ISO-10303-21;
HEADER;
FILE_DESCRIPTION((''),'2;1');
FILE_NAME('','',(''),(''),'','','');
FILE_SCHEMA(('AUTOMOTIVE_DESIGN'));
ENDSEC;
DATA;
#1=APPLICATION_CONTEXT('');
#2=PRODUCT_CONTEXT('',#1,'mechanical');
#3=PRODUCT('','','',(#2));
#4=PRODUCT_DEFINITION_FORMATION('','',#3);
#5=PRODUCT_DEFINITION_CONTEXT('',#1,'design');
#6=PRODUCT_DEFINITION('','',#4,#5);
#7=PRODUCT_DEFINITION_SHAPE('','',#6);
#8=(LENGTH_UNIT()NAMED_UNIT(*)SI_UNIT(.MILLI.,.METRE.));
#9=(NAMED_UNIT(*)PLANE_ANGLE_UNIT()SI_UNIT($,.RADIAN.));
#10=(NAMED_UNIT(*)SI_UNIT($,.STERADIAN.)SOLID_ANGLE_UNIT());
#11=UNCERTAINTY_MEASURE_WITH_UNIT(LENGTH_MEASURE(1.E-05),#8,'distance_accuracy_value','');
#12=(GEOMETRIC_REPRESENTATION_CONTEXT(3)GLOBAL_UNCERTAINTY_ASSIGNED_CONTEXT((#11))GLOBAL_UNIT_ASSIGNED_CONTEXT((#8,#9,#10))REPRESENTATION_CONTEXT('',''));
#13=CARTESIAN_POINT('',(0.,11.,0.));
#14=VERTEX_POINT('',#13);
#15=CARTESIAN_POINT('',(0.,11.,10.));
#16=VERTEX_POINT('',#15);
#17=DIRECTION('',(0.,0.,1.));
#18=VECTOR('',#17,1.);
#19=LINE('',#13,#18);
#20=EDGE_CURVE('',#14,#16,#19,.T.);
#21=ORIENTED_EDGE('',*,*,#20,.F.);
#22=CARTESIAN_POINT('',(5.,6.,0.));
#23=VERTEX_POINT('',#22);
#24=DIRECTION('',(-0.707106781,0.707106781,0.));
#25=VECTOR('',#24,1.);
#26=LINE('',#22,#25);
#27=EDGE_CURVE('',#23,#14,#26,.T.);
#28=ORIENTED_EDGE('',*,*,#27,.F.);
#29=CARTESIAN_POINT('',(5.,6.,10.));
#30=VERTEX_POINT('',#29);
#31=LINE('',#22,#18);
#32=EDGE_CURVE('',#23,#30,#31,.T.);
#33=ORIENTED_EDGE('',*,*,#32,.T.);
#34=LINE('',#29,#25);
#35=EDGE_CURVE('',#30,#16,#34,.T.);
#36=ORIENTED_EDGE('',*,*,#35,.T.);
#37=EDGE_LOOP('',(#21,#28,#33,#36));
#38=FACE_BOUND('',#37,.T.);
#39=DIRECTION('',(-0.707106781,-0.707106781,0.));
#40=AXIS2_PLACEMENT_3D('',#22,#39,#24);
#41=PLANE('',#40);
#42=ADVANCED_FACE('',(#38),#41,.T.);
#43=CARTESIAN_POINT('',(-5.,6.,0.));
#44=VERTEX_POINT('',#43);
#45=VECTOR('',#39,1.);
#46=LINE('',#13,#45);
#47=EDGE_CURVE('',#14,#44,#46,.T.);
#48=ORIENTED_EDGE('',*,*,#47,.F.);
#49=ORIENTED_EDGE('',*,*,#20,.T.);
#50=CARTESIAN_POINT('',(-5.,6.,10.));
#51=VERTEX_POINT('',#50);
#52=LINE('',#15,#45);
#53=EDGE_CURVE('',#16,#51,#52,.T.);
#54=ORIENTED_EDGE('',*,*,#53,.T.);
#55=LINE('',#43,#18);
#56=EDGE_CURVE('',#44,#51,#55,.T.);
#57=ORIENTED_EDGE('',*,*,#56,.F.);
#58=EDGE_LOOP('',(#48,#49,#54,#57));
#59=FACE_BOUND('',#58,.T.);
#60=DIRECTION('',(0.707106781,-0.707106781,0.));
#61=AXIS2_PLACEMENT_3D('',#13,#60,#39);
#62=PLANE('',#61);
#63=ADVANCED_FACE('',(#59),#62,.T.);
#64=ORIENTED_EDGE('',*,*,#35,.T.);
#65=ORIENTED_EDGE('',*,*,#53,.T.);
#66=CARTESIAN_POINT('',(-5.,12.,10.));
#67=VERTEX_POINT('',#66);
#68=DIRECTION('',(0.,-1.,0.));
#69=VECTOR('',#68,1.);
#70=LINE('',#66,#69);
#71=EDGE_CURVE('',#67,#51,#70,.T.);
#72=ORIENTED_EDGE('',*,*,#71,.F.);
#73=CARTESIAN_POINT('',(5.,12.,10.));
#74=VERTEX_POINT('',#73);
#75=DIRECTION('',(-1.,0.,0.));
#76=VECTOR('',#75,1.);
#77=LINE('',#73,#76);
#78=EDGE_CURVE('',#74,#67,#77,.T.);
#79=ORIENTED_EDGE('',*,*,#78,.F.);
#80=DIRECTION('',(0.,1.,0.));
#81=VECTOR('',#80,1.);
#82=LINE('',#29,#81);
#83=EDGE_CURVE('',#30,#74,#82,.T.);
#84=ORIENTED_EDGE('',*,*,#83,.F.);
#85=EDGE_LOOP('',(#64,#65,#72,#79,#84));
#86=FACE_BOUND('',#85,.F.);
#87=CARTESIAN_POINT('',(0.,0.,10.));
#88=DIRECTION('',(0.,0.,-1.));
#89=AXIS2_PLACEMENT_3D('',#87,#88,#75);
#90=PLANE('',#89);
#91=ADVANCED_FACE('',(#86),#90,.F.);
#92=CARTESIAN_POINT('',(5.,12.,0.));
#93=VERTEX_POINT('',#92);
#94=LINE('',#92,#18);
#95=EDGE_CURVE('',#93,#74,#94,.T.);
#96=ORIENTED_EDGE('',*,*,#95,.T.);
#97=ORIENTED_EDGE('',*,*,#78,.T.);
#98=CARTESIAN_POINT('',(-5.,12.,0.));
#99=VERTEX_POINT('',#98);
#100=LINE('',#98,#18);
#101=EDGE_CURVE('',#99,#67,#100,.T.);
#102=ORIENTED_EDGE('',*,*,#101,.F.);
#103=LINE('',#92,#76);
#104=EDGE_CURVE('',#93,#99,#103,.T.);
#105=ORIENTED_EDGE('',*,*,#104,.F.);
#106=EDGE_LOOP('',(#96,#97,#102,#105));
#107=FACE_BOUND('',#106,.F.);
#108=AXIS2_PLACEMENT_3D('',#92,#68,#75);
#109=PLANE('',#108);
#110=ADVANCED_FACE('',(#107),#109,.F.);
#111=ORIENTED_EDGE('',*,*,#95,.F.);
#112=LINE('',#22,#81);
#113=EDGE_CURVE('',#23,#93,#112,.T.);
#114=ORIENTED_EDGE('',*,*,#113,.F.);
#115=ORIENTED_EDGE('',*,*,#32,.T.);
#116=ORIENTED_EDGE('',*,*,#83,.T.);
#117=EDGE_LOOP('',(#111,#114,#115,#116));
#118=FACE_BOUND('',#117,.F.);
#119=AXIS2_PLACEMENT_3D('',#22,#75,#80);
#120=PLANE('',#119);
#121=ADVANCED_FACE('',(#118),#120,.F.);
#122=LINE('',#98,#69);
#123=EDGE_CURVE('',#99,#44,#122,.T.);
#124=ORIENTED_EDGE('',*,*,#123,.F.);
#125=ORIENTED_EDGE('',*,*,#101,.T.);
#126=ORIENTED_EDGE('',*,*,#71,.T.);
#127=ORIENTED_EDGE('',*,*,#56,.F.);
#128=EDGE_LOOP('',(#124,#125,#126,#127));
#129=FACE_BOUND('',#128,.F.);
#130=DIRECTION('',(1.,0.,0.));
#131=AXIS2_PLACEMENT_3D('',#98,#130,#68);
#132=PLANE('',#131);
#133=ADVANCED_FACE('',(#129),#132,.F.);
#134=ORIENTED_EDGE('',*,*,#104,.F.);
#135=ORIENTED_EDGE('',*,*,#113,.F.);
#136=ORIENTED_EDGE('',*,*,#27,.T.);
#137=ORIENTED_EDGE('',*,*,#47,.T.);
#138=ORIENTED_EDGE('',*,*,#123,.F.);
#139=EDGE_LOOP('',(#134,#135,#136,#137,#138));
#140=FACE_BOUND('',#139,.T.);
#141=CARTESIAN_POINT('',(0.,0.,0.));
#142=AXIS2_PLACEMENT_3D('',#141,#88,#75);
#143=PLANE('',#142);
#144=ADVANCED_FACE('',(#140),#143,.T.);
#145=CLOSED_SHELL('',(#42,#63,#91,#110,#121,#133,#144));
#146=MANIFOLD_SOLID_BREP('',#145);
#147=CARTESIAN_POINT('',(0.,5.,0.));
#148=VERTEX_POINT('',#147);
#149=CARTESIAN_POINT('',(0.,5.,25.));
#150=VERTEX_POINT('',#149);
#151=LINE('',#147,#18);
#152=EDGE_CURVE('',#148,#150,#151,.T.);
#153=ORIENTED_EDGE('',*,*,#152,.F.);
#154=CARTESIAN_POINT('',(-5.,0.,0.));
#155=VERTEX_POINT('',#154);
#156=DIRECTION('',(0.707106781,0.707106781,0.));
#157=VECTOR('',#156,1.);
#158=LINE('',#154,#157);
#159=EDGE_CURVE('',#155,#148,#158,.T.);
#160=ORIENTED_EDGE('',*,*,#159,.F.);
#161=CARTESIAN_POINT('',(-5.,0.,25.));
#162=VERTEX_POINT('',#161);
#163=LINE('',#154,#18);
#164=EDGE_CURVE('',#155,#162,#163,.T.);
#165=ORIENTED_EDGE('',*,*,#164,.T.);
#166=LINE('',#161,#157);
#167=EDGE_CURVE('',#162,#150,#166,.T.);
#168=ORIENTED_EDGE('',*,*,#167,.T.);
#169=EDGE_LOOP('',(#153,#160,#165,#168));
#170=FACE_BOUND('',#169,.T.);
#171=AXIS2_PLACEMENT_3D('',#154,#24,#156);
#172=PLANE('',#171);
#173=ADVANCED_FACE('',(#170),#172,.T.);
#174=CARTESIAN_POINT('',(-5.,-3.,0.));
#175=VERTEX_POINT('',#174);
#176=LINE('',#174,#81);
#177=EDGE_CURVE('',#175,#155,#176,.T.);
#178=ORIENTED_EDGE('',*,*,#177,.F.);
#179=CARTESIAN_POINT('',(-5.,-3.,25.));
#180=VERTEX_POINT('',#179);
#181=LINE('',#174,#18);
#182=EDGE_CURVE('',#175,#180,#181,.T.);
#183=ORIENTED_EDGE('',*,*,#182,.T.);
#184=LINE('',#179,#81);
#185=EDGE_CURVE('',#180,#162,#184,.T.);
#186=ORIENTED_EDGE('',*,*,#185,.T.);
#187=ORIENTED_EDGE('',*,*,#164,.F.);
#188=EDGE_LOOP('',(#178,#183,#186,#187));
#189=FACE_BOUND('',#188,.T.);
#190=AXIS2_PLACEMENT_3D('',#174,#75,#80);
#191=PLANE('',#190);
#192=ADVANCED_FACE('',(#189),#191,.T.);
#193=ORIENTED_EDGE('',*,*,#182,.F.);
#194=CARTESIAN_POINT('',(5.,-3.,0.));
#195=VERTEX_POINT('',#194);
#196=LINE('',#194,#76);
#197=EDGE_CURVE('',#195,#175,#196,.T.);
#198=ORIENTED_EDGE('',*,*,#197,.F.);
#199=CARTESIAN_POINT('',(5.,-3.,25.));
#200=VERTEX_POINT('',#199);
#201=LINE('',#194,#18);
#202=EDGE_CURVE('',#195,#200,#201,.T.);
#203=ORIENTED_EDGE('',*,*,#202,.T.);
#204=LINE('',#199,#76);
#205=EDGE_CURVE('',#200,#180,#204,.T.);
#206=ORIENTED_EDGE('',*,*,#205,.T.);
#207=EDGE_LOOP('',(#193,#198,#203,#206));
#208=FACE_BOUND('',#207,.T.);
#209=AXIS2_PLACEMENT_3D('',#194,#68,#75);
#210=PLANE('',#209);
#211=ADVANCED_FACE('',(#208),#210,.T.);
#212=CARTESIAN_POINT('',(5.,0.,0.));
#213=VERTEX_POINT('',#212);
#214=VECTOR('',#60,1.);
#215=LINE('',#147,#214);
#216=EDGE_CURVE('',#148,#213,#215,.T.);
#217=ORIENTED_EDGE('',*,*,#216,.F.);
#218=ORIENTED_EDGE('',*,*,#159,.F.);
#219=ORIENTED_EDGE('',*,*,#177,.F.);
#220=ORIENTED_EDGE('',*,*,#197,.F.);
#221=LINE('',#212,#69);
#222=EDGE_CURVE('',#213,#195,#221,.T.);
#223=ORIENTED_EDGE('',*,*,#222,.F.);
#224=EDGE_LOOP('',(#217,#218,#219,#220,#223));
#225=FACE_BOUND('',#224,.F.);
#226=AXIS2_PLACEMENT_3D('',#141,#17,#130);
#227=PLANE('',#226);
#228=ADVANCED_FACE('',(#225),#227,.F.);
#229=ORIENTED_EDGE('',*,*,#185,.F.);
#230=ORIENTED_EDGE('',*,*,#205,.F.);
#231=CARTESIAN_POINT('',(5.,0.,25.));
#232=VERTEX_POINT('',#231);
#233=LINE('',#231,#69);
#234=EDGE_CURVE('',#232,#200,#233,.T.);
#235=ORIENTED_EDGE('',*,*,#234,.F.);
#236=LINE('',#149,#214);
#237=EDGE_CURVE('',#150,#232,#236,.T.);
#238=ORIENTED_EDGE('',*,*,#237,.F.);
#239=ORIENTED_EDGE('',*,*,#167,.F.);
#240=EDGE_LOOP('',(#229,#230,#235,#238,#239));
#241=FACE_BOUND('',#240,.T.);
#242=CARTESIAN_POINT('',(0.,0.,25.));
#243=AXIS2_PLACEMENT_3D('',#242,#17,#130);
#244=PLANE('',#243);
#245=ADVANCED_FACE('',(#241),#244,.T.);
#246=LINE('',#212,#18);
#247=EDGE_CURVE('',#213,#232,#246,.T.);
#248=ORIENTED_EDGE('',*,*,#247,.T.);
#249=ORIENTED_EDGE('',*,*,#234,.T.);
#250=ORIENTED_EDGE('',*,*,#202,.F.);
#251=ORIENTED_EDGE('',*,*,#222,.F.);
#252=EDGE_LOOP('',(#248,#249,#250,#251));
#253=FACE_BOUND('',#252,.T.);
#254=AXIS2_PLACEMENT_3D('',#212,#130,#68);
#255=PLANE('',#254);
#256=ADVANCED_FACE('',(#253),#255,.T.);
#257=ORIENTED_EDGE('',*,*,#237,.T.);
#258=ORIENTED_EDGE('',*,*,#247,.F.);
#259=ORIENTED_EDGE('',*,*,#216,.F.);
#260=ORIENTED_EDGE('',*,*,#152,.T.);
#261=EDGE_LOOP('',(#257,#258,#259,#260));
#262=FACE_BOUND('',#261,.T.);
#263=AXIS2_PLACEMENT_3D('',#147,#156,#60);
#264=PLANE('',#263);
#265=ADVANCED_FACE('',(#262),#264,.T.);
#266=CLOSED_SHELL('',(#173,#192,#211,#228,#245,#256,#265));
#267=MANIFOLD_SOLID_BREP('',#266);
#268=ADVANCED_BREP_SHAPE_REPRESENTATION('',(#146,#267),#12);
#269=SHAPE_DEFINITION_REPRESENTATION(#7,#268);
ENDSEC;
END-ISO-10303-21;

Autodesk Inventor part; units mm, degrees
ref_plane "YZ Plane" through (0, 0, 0) normal (1, 0, 0) x (0, 1, 0)
ref_plane "XZ Plane" through (0, 0, 0) normal (0, 1, 0) x (-1, 0, 0)
ref_plane "XY Plane" through (0, 0, 0) normal (0, 0, 1) x (1, 0, 0)
sketch "Sketch1" plane through (0, 0, 0) normal (0, 0, 1) x (1, 0, 0)
  line L0 (-5, 0) -> (5, 0)
  line L1 (-5, 0) -> (0, 5)
  line L2 (-5, 0) -> (2.0711, 0) construction
  line L3 (0, 5) -> (5, 0)
  line L4 (-5, 0) -> (5, 0)
  line L5 (5, 0) -> (5, -3)
  line L6 (5, -3) -> (-5, -3)
  line L7 (-5, -3) -> (-5, 0)
  line L8 (5, -3) -> (-5, -3)
  line L9 (-5, -3) -> (-5, 6)
  line L10 (-5, 6) -> (5, 6)
  line L11 (5, 6) -> (5, -3)
  point P0 (0, 0)
  point P1 (0, 0)
  dimension "d0" = 10
  dimension "d1" = 45
  dimension "d6" = 10
  dimension "d7" = 3
  dimension "d8" = 10
  dimension "d9" = 9
  dimension "d10" = 5
extrude "Extrusion1" add sketch "Sketch1" along normal blind 25 contours L1 L3 L0 | L0 L5 L6 L7
sketch "Sketch2" plane through (0, 0, 0) normal (0, 0, -1) x (-1, 0, 0)
  line L0 (-5, 6) -> (0, 11)
  line L1 (-5, 6) -> (2.0711, 6) construction
  line L2 (0, 11) -> (5, 6)
  line L3 (-5, 6) -> (-5, 12)
  line L4 (-5, 12) -> (5, 12)
  line L5 (5, 12) -> (5, 6)
  line L6 (5, 6) -> (-5, 6)
  point P0 (0, 0)
  dimension "d11" = 45
  dimension "d12" = 6
  dimension "d13" = 10
extrude "Extrusion2" add sketch "Sketch2" against normal blind 10 separate body contours L3 L4 L5 L2 L0
properties part number "Phantom_Arm_Triangle"
